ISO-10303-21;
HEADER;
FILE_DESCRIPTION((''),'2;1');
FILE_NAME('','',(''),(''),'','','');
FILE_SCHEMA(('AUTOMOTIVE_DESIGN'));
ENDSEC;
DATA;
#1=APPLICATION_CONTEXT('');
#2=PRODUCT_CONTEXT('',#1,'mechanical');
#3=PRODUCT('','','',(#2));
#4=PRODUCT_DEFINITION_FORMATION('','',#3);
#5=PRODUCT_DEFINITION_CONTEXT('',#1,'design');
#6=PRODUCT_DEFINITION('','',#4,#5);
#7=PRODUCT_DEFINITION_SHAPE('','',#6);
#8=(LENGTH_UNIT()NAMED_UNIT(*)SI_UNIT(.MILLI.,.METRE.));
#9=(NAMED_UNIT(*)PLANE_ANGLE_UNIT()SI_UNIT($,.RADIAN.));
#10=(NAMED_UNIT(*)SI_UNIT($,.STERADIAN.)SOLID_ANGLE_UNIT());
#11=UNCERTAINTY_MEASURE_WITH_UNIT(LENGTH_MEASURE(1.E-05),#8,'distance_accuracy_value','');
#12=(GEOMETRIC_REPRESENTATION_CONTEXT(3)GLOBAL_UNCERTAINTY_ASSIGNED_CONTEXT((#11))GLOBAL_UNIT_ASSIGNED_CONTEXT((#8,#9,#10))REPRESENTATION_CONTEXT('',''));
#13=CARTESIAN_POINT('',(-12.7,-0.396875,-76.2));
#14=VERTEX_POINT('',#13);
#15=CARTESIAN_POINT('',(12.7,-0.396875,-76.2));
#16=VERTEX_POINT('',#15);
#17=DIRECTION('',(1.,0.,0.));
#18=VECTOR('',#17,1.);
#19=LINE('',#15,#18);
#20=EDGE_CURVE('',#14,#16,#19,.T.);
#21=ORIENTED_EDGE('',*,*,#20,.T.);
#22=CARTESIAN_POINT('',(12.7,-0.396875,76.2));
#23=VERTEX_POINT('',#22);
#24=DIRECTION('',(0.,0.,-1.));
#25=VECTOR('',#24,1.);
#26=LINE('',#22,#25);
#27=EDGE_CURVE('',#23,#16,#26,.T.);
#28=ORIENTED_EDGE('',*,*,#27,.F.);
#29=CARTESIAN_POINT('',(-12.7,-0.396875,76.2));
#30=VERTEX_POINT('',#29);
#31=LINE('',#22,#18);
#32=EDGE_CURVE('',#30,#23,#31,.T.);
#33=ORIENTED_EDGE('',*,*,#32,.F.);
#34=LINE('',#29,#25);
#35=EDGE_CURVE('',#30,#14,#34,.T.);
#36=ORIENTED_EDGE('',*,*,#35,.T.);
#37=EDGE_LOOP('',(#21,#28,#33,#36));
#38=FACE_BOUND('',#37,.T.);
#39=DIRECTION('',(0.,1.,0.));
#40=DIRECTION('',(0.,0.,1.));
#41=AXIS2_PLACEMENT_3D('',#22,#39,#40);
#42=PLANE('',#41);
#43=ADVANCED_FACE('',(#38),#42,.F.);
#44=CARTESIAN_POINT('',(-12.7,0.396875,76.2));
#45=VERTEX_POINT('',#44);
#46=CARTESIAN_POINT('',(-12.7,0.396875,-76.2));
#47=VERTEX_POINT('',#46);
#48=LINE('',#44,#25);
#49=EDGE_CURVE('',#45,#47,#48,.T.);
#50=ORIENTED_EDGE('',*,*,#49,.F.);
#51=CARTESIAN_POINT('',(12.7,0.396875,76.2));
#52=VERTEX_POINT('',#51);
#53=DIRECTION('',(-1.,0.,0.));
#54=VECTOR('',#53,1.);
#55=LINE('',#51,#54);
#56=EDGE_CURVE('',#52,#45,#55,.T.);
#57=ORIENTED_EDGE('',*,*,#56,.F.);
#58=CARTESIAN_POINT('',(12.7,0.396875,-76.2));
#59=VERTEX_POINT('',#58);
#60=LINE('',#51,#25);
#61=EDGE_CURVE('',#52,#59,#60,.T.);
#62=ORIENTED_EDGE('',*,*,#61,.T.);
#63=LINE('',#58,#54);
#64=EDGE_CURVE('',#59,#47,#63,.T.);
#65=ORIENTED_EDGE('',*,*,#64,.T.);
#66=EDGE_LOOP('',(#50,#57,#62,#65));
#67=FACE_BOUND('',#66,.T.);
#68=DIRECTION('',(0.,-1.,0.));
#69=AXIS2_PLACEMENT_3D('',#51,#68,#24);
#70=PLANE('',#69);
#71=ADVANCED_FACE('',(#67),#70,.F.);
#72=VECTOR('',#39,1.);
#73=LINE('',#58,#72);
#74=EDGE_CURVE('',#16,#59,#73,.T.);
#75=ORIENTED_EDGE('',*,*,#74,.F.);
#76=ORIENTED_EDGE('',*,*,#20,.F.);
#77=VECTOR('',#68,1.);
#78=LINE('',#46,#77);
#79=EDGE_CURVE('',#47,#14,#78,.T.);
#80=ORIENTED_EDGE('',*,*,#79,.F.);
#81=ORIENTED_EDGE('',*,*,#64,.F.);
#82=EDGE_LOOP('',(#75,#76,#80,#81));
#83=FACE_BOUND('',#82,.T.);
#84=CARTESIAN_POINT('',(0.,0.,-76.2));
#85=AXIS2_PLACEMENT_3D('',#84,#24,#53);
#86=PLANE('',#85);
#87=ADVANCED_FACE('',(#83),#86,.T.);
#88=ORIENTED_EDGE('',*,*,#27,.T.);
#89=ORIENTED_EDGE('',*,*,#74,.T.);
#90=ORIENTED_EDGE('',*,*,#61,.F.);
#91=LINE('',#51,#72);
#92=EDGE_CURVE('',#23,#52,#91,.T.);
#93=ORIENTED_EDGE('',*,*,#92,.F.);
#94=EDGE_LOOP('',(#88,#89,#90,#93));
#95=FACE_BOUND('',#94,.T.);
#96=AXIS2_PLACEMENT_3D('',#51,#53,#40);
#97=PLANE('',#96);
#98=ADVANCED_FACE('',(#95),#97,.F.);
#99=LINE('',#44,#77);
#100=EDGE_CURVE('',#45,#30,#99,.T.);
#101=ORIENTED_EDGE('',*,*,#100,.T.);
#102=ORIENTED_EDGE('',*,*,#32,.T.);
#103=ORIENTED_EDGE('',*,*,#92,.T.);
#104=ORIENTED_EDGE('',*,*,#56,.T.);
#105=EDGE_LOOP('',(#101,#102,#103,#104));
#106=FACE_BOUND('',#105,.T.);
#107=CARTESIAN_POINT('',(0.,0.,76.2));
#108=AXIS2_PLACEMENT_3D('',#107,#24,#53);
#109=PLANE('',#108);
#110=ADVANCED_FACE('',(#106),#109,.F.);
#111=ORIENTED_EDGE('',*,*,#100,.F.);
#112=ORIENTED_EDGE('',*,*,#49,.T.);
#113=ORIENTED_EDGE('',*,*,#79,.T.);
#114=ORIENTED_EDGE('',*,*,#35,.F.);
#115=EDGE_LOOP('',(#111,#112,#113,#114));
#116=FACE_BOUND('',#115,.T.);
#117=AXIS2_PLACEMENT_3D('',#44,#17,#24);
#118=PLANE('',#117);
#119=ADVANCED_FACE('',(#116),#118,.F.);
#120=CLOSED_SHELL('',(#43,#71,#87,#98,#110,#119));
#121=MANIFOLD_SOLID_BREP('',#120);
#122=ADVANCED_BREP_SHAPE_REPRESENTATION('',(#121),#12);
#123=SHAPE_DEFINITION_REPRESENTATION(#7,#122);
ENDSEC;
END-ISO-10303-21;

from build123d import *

# Parameters (mm, degrees)
BOSS_EXTRUDE1_DEPTH      = 76.2
BOSS_EXTRUDE1_DEPTH_BACK = 76.2
SKETCH3_W                = 25.4
SKETCH3_H                = 0.79375


with BuildPart() as part:
    # Sketch3 → Boss-Extrude1 (new, two sides: drawn at the far end of the back side and taken through both)
    with BuildSketch(Plane.XY.offset(-BOSS_EXTRUDE1_DEPTH_BACK)):
        Rectangle(SKETCH3_W, SKETCH3_H)
    extrude(amount=BOSS_EXTRUDE1_DEPTH + BOSS_EXTRUDE1_DEPTH_BACK)


solid = part.part
